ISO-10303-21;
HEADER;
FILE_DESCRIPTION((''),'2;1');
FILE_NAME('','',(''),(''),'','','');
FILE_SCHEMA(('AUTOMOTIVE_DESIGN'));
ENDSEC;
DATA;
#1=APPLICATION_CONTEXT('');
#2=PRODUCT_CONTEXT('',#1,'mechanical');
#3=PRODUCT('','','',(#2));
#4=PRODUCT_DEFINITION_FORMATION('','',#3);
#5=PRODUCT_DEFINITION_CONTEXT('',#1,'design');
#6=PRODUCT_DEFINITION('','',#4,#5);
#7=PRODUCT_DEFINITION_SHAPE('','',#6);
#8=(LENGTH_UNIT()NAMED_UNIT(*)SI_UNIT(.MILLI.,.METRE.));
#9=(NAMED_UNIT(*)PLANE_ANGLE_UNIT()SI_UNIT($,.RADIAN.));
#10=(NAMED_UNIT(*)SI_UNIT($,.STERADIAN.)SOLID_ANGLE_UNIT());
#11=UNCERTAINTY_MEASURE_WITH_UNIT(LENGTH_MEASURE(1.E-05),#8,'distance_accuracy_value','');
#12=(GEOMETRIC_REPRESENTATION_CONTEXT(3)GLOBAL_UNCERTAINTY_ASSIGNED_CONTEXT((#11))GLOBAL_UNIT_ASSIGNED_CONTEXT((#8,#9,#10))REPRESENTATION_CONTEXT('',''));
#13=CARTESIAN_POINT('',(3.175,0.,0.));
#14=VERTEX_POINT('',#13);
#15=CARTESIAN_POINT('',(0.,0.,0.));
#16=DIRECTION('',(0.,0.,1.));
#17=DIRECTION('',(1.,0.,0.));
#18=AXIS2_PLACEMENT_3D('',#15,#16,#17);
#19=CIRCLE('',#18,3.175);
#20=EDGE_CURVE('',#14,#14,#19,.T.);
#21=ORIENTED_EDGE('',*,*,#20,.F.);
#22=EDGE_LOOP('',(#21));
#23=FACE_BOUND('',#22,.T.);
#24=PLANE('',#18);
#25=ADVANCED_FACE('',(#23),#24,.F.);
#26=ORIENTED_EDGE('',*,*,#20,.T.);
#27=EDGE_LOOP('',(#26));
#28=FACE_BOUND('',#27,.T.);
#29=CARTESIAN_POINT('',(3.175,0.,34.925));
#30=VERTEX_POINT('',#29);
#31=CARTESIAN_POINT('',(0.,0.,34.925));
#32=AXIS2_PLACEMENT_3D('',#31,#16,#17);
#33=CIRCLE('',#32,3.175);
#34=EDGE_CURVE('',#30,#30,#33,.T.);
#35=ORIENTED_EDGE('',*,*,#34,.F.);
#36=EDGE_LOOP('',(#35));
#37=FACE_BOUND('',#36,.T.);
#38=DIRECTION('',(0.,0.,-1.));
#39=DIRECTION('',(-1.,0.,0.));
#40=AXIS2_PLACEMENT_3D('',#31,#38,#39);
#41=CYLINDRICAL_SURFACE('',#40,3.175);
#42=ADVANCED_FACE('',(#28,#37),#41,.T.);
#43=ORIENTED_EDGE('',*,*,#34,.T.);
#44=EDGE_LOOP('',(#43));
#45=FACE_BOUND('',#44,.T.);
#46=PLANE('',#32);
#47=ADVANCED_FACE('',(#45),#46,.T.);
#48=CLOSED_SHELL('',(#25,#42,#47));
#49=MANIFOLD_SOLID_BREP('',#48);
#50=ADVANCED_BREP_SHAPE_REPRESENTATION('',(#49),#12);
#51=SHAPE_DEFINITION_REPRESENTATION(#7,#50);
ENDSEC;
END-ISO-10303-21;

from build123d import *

# Parameters (mm, degrees)
SKETCH1_R           = 3.175
BOSS_EXTRUDE1_DEPTH = 34.925


with BuildPart() as part:
    # Sketch1 → Boss-Extrude1 (new body)
    with BuildSketch(Plane.XY):
        Circle(SKETCH1_R)
    extrude(amount=BOSS_EXTRUDE1_DEPTH)


solid = part.part
